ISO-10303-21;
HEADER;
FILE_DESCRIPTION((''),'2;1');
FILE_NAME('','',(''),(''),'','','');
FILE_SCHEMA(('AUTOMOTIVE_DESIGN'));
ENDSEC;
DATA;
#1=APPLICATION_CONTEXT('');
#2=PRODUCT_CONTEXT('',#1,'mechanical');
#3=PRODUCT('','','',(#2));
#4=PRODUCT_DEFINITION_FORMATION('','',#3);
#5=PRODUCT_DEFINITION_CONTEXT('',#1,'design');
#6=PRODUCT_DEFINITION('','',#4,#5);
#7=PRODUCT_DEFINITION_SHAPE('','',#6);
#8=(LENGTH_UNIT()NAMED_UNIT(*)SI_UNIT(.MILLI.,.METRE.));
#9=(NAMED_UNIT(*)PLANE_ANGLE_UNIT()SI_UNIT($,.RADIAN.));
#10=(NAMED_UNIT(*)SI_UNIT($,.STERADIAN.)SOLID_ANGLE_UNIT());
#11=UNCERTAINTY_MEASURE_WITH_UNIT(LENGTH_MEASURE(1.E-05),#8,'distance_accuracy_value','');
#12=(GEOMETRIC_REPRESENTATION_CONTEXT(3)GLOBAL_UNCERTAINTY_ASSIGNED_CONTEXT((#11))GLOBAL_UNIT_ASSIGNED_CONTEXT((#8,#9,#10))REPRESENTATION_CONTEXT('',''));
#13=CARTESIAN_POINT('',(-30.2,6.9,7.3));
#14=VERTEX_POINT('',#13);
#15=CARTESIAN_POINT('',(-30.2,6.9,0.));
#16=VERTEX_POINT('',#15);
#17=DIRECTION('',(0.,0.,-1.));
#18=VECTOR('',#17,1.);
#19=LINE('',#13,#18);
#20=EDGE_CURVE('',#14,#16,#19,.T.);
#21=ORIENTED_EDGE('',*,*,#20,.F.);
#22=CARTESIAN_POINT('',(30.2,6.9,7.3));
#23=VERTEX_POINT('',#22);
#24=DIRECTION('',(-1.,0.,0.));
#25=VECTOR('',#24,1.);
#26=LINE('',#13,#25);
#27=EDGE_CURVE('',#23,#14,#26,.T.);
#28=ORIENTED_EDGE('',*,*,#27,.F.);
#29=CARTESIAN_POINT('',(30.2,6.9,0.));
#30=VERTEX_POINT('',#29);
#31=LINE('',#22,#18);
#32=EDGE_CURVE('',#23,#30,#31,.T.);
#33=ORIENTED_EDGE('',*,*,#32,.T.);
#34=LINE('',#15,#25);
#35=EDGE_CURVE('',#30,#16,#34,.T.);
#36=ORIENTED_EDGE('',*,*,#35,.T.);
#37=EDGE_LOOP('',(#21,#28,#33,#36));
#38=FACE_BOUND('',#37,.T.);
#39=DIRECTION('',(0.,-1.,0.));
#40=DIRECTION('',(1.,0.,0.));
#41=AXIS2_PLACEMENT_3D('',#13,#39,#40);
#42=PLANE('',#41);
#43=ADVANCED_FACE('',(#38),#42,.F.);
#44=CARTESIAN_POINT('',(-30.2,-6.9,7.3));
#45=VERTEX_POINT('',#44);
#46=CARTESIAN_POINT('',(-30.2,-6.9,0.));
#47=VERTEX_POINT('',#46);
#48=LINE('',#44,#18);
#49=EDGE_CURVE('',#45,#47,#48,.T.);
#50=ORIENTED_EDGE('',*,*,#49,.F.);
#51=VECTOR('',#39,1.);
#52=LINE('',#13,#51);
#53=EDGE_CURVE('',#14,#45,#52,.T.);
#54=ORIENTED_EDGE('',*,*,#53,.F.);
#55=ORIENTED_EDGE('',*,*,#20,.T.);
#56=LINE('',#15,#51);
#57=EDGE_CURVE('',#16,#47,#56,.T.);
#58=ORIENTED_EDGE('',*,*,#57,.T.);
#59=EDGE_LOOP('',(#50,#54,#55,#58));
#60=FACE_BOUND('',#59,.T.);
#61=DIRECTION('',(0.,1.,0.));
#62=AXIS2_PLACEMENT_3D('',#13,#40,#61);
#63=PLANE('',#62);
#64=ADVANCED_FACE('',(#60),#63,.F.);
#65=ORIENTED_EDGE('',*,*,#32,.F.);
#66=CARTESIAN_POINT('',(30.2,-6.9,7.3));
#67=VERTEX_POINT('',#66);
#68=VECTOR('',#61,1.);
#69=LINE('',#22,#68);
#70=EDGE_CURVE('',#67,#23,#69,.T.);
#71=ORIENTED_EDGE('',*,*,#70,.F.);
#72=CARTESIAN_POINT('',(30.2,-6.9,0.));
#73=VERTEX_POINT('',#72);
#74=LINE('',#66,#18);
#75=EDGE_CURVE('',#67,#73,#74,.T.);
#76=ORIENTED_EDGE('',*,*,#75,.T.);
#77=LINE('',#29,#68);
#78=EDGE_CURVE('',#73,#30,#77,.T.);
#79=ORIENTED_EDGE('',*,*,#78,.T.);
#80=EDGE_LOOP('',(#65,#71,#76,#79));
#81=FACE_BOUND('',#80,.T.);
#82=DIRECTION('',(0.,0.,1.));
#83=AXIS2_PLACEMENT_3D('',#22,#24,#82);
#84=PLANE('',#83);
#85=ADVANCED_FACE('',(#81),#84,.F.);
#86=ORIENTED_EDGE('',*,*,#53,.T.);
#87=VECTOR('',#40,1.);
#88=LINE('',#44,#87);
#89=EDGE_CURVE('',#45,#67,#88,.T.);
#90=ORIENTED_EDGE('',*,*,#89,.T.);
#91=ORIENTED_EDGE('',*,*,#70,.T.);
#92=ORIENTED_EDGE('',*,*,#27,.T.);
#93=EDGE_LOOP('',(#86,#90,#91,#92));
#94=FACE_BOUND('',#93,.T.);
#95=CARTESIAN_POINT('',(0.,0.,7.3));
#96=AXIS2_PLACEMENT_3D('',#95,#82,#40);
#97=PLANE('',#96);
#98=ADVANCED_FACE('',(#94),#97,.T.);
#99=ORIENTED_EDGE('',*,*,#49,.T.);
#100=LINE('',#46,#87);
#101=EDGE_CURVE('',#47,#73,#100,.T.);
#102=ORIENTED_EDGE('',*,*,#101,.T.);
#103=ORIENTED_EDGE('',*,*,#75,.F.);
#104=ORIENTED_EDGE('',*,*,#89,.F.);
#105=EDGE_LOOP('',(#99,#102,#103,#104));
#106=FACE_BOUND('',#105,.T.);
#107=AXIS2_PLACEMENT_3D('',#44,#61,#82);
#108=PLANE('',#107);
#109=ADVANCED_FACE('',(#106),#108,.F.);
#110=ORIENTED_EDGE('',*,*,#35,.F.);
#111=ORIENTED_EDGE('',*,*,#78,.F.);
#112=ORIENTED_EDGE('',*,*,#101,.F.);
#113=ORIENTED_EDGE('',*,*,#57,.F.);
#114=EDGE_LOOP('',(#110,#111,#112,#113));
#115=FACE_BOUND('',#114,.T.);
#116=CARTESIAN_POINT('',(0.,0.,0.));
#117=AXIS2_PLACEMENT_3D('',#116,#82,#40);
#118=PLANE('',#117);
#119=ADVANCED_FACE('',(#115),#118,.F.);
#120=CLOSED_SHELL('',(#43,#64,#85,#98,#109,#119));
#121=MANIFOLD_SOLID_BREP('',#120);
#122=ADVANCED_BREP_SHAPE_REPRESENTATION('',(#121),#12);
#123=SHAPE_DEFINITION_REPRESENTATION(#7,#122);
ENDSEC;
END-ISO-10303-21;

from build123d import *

# Parameters (mm, degrees)
SKETCH_1_W      = 60.4
SKETCH_1_H      = 13.8
EXTRUDE_1_DEPTH = 7.3


with BuildPart() as part:
    # Эскиз1 → Бобышка-Вытянуть1 (new body)
    with BuildSketch(Plane.XY):
        Rectangle(SKETCH_1_W, SKETCH_1_H)
    extrude(amount=EXTRUDE_1_DEPTH)


solid = part.part
